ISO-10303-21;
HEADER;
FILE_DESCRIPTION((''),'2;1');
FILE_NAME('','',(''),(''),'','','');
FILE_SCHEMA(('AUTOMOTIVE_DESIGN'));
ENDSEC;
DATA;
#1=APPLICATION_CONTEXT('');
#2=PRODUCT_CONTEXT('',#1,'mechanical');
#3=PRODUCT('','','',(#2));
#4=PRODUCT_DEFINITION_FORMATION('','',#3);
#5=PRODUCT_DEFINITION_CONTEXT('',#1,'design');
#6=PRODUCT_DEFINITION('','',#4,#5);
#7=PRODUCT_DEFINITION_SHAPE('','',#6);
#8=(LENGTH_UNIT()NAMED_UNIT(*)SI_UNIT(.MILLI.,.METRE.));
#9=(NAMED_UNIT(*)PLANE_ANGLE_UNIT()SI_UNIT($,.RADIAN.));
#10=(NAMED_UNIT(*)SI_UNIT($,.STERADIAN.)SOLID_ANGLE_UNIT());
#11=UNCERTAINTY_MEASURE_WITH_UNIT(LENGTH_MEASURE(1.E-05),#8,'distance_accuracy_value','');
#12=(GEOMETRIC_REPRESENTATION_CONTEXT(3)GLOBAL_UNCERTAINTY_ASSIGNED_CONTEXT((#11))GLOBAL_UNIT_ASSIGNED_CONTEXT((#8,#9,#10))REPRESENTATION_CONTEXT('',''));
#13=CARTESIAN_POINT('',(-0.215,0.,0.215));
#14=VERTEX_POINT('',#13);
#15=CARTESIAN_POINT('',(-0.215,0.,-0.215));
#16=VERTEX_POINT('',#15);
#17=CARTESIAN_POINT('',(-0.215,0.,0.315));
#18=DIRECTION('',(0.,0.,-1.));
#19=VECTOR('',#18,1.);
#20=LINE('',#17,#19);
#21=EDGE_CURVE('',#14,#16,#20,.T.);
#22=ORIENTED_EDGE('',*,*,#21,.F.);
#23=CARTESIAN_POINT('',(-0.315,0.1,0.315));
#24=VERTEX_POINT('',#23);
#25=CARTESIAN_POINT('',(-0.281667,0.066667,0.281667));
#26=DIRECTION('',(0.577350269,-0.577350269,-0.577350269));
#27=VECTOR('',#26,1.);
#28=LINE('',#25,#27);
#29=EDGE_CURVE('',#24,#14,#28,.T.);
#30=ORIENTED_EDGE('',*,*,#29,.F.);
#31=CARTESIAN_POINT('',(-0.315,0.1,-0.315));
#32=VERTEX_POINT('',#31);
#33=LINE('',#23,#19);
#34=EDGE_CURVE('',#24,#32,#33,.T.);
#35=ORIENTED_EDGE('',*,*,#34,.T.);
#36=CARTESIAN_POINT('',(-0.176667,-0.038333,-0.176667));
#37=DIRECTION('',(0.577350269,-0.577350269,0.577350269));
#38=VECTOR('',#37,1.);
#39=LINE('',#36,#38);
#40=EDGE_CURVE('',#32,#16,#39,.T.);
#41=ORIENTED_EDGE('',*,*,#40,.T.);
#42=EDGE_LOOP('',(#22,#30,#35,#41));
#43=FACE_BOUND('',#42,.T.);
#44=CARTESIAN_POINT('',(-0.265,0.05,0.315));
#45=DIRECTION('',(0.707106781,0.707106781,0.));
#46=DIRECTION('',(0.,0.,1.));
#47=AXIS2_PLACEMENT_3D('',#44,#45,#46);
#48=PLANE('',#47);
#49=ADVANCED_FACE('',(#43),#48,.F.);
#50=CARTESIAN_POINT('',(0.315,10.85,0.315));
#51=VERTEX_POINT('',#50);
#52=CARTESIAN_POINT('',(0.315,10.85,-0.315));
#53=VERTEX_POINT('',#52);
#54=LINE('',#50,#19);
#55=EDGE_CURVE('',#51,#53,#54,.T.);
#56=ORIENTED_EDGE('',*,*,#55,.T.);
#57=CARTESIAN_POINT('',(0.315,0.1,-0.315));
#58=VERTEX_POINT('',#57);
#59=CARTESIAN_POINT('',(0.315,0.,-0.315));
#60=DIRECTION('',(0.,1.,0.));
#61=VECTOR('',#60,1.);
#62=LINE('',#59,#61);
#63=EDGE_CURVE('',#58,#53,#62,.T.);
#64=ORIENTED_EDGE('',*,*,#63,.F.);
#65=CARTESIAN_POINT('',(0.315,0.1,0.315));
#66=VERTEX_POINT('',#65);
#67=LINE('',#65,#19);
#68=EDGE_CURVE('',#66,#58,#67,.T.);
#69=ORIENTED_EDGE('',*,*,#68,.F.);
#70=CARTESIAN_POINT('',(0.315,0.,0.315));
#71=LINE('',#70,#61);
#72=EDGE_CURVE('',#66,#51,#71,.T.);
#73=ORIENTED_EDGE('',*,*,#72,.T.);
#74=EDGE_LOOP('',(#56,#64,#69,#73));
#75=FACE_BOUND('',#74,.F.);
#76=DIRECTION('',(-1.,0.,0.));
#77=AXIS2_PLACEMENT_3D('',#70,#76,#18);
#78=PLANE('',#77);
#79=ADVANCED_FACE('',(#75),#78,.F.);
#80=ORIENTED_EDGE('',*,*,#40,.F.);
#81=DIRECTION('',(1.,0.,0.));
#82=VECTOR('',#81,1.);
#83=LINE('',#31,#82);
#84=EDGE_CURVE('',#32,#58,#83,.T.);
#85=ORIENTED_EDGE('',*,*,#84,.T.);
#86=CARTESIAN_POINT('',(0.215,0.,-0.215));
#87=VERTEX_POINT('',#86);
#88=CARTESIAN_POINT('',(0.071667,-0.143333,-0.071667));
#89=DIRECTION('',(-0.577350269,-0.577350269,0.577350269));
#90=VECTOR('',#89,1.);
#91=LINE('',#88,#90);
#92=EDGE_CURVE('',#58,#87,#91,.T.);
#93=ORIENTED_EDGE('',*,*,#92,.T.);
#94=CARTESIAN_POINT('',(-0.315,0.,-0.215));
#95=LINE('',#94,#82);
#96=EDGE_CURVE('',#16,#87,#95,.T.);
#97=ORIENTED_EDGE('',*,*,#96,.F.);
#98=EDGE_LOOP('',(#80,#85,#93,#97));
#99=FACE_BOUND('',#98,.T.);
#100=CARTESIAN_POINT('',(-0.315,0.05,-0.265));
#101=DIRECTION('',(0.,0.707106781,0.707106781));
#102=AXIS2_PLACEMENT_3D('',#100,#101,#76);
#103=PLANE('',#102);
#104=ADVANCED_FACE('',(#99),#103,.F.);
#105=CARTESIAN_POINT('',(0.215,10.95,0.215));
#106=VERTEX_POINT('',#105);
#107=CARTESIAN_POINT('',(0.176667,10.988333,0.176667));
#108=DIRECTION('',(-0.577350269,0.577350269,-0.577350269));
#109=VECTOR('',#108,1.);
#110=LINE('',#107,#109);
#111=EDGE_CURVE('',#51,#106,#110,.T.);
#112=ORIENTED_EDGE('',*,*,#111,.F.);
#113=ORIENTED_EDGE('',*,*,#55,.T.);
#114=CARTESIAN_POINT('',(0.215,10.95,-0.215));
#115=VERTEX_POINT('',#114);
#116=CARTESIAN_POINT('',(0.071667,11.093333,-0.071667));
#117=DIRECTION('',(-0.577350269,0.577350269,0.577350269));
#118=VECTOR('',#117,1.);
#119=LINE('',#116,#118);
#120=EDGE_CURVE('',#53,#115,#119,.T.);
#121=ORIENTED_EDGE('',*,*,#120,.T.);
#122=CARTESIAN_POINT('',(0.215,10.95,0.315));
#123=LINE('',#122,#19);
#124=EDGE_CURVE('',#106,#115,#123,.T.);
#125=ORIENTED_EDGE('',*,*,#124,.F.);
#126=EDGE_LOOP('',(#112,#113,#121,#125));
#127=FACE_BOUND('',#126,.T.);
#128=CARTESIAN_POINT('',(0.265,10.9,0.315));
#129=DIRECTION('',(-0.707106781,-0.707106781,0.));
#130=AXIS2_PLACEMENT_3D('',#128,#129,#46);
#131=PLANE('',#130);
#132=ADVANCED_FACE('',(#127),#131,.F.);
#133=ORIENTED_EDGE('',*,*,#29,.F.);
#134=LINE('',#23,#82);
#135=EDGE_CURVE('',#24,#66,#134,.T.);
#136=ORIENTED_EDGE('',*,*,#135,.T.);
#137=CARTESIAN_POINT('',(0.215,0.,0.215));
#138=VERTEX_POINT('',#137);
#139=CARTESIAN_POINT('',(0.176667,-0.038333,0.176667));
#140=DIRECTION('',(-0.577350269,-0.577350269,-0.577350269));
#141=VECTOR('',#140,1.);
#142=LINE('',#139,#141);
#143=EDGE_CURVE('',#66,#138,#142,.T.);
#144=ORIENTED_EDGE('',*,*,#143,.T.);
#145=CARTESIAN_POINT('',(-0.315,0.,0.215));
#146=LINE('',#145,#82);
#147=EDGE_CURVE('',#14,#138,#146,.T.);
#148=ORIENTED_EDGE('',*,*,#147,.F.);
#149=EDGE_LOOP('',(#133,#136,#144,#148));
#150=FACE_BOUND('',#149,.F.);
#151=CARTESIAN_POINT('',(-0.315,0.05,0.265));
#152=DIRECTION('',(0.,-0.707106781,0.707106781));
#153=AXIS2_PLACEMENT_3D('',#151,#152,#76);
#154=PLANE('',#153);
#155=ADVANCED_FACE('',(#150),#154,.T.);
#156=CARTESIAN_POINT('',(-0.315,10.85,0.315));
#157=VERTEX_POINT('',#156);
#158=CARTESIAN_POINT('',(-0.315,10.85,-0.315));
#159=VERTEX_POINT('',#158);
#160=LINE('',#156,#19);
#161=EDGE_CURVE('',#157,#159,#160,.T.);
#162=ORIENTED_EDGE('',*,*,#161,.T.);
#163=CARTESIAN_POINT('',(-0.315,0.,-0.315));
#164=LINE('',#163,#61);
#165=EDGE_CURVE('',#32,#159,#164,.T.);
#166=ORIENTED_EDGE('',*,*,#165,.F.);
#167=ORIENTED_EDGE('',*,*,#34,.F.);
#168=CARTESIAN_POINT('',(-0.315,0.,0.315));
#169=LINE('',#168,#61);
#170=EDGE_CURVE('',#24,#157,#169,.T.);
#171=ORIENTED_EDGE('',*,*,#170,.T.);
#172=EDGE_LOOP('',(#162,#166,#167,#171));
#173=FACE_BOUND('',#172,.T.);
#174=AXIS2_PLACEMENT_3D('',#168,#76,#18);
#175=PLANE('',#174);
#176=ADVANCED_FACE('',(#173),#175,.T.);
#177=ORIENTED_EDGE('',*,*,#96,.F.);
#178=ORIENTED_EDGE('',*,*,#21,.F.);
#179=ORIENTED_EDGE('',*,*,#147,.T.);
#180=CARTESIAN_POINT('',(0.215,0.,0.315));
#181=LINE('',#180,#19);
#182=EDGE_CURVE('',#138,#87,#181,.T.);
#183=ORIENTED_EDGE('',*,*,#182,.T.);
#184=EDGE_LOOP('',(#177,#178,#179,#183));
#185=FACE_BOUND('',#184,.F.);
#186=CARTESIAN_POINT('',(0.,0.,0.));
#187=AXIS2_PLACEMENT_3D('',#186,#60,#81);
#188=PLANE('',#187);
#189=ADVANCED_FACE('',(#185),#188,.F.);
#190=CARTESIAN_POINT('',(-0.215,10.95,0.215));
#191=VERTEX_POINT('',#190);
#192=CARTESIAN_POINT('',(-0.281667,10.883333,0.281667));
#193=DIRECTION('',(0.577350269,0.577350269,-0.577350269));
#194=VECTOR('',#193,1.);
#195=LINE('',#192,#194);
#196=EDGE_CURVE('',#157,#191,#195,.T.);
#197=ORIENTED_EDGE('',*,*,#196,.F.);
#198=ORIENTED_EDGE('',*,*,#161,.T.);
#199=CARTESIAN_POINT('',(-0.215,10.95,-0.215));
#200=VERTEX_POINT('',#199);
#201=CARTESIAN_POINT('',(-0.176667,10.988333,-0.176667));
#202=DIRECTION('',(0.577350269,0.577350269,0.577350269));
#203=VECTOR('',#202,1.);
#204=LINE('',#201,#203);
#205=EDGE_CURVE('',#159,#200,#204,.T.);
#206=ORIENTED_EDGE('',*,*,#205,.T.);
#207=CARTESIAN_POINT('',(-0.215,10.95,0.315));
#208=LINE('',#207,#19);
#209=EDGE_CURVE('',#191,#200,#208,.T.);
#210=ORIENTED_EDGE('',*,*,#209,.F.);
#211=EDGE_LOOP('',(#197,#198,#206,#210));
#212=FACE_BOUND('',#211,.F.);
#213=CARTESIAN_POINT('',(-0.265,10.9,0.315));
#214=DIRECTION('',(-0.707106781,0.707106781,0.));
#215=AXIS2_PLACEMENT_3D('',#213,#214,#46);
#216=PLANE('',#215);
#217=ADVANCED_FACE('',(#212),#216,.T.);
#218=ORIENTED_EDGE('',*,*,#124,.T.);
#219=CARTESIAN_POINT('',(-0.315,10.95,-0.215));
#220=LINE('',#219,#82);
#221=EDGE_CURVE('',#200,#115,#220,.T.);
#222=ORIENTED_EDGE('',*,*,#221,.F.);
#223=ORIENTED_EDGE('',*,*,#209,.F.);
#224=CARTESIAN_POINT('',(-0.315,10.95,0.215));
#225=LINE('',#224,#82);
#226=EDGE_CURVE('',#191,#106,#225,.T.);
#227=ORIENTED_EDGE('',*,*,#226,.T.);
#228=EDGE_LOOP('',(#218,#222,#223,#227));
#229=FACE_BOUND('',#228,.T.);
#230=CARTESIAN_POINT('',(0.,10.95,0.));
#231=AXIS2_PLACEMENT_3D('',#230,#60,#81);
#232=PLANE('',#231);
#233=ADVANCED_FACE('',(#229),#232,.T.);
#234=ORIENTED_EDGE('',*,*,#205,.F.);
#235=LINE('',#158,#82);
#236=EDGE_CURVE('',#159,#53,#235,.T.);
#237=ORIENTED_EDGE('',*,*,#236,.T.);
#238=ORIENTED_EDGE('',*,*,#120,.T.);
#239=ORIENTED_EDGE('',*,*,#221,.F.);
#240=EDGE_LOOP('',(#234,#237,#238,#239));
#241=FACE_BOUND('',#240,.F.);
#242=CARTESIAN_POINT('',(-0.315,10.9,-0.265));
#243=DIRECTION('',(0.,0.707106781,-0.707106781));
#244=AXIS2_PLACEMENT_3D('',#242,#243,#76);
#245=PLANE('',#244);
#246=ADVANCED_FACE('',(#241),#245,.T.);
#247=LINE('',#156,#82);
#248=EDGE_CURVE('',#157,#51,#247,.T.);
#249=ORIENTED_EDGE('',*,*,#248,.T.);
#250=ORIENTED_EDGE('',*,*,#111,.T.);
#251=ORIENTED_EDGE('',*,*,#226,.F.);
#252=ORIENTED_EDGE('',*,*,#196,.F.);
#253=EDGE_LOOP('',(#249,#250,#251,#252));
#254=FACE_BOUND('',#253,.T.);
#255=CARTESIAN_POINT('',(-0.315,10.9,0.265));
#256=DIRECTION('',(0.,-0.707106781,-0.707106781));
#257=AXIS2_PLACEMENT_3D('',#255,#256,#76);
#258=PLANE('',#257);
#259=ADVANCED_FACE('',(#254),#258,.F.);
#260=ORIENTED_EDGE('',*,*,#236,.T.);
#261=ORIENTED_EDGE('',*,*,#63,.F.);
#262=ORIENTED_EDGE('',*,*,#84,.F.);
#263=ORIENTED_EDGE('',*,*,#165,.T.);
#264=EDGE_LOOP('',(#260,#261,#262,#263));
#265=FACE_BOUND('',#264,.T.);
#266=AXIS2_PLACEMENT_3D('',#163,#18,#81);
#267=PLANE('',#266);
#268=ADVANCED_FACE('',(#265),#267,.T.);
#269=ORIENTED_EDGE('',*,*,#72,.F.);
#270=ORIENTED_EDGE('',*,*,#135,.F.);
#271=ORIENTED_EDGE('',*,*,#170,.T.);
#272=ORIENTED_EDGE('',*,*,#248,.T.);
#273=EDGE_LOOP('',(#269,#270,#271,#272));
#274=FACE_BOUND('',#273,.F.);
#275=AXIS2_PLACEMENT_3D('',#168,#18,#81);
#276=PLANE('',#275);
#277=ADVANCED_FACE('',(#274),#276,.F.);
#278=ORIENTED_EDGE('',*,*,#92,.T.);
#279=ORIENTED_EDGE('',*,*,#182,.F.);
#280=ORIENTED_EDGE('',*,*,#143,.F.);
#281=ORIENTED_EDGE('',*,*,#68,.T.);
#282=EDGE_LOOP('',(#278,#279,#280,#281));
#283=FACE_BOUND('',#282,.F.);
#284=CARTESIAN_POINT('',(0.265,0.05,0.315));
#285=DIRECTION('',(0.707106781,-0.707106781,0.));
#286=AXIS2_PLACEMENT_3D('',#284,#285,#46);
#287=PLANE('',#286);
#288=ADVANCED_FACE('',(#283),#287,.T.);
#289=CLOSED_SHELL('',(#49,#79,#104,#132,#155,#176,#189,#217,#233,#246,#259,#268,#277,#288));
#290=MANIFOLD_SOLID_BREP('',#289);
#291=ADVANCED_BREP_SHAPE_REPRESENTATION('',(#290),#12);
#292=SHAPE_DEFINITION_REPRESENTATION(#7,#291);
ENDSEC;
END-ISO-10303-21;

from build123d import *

# Parameters (mm, degrees)
SKETCH1_W           = 0.63
SKETCH1_H           = 0.63
BOSS_EXTRUDE1_DEPTH = 10.95
CHAMFER1_SIZE       = 0.1


with BuildPart() as part:
    # Sketch1 → Boss-Extrude1 (new body)
    with BuildSketch(Plane(origin=(0, 0, 0), x_dir=(1, 0, 0), z_dir=(0, 1, 0))):
        Rectangle(SKETCH1_W, SKETCH1_H)
    extrude(amount=BOSS_EXTRUDE1_DEPTH)

    # Chamfer1
    chamfer1_edges = [part.edges().sort_by_distance(p)[0] for p in [
        (-0.315, 10.95, 0),
        (0, 10.95, 0.315),
        (0.315, 10.95, 0),
        (0, 0, 0.315),
        (-0.315, 0, 0),
        (0, 0, -0.315),
        (0.315, 0, 0),
        (0, 10.95, -0.315),
    ]]
    chamfer(chamfer1_edges, length=CHAMFER1_SIZE)


solid = part.part
